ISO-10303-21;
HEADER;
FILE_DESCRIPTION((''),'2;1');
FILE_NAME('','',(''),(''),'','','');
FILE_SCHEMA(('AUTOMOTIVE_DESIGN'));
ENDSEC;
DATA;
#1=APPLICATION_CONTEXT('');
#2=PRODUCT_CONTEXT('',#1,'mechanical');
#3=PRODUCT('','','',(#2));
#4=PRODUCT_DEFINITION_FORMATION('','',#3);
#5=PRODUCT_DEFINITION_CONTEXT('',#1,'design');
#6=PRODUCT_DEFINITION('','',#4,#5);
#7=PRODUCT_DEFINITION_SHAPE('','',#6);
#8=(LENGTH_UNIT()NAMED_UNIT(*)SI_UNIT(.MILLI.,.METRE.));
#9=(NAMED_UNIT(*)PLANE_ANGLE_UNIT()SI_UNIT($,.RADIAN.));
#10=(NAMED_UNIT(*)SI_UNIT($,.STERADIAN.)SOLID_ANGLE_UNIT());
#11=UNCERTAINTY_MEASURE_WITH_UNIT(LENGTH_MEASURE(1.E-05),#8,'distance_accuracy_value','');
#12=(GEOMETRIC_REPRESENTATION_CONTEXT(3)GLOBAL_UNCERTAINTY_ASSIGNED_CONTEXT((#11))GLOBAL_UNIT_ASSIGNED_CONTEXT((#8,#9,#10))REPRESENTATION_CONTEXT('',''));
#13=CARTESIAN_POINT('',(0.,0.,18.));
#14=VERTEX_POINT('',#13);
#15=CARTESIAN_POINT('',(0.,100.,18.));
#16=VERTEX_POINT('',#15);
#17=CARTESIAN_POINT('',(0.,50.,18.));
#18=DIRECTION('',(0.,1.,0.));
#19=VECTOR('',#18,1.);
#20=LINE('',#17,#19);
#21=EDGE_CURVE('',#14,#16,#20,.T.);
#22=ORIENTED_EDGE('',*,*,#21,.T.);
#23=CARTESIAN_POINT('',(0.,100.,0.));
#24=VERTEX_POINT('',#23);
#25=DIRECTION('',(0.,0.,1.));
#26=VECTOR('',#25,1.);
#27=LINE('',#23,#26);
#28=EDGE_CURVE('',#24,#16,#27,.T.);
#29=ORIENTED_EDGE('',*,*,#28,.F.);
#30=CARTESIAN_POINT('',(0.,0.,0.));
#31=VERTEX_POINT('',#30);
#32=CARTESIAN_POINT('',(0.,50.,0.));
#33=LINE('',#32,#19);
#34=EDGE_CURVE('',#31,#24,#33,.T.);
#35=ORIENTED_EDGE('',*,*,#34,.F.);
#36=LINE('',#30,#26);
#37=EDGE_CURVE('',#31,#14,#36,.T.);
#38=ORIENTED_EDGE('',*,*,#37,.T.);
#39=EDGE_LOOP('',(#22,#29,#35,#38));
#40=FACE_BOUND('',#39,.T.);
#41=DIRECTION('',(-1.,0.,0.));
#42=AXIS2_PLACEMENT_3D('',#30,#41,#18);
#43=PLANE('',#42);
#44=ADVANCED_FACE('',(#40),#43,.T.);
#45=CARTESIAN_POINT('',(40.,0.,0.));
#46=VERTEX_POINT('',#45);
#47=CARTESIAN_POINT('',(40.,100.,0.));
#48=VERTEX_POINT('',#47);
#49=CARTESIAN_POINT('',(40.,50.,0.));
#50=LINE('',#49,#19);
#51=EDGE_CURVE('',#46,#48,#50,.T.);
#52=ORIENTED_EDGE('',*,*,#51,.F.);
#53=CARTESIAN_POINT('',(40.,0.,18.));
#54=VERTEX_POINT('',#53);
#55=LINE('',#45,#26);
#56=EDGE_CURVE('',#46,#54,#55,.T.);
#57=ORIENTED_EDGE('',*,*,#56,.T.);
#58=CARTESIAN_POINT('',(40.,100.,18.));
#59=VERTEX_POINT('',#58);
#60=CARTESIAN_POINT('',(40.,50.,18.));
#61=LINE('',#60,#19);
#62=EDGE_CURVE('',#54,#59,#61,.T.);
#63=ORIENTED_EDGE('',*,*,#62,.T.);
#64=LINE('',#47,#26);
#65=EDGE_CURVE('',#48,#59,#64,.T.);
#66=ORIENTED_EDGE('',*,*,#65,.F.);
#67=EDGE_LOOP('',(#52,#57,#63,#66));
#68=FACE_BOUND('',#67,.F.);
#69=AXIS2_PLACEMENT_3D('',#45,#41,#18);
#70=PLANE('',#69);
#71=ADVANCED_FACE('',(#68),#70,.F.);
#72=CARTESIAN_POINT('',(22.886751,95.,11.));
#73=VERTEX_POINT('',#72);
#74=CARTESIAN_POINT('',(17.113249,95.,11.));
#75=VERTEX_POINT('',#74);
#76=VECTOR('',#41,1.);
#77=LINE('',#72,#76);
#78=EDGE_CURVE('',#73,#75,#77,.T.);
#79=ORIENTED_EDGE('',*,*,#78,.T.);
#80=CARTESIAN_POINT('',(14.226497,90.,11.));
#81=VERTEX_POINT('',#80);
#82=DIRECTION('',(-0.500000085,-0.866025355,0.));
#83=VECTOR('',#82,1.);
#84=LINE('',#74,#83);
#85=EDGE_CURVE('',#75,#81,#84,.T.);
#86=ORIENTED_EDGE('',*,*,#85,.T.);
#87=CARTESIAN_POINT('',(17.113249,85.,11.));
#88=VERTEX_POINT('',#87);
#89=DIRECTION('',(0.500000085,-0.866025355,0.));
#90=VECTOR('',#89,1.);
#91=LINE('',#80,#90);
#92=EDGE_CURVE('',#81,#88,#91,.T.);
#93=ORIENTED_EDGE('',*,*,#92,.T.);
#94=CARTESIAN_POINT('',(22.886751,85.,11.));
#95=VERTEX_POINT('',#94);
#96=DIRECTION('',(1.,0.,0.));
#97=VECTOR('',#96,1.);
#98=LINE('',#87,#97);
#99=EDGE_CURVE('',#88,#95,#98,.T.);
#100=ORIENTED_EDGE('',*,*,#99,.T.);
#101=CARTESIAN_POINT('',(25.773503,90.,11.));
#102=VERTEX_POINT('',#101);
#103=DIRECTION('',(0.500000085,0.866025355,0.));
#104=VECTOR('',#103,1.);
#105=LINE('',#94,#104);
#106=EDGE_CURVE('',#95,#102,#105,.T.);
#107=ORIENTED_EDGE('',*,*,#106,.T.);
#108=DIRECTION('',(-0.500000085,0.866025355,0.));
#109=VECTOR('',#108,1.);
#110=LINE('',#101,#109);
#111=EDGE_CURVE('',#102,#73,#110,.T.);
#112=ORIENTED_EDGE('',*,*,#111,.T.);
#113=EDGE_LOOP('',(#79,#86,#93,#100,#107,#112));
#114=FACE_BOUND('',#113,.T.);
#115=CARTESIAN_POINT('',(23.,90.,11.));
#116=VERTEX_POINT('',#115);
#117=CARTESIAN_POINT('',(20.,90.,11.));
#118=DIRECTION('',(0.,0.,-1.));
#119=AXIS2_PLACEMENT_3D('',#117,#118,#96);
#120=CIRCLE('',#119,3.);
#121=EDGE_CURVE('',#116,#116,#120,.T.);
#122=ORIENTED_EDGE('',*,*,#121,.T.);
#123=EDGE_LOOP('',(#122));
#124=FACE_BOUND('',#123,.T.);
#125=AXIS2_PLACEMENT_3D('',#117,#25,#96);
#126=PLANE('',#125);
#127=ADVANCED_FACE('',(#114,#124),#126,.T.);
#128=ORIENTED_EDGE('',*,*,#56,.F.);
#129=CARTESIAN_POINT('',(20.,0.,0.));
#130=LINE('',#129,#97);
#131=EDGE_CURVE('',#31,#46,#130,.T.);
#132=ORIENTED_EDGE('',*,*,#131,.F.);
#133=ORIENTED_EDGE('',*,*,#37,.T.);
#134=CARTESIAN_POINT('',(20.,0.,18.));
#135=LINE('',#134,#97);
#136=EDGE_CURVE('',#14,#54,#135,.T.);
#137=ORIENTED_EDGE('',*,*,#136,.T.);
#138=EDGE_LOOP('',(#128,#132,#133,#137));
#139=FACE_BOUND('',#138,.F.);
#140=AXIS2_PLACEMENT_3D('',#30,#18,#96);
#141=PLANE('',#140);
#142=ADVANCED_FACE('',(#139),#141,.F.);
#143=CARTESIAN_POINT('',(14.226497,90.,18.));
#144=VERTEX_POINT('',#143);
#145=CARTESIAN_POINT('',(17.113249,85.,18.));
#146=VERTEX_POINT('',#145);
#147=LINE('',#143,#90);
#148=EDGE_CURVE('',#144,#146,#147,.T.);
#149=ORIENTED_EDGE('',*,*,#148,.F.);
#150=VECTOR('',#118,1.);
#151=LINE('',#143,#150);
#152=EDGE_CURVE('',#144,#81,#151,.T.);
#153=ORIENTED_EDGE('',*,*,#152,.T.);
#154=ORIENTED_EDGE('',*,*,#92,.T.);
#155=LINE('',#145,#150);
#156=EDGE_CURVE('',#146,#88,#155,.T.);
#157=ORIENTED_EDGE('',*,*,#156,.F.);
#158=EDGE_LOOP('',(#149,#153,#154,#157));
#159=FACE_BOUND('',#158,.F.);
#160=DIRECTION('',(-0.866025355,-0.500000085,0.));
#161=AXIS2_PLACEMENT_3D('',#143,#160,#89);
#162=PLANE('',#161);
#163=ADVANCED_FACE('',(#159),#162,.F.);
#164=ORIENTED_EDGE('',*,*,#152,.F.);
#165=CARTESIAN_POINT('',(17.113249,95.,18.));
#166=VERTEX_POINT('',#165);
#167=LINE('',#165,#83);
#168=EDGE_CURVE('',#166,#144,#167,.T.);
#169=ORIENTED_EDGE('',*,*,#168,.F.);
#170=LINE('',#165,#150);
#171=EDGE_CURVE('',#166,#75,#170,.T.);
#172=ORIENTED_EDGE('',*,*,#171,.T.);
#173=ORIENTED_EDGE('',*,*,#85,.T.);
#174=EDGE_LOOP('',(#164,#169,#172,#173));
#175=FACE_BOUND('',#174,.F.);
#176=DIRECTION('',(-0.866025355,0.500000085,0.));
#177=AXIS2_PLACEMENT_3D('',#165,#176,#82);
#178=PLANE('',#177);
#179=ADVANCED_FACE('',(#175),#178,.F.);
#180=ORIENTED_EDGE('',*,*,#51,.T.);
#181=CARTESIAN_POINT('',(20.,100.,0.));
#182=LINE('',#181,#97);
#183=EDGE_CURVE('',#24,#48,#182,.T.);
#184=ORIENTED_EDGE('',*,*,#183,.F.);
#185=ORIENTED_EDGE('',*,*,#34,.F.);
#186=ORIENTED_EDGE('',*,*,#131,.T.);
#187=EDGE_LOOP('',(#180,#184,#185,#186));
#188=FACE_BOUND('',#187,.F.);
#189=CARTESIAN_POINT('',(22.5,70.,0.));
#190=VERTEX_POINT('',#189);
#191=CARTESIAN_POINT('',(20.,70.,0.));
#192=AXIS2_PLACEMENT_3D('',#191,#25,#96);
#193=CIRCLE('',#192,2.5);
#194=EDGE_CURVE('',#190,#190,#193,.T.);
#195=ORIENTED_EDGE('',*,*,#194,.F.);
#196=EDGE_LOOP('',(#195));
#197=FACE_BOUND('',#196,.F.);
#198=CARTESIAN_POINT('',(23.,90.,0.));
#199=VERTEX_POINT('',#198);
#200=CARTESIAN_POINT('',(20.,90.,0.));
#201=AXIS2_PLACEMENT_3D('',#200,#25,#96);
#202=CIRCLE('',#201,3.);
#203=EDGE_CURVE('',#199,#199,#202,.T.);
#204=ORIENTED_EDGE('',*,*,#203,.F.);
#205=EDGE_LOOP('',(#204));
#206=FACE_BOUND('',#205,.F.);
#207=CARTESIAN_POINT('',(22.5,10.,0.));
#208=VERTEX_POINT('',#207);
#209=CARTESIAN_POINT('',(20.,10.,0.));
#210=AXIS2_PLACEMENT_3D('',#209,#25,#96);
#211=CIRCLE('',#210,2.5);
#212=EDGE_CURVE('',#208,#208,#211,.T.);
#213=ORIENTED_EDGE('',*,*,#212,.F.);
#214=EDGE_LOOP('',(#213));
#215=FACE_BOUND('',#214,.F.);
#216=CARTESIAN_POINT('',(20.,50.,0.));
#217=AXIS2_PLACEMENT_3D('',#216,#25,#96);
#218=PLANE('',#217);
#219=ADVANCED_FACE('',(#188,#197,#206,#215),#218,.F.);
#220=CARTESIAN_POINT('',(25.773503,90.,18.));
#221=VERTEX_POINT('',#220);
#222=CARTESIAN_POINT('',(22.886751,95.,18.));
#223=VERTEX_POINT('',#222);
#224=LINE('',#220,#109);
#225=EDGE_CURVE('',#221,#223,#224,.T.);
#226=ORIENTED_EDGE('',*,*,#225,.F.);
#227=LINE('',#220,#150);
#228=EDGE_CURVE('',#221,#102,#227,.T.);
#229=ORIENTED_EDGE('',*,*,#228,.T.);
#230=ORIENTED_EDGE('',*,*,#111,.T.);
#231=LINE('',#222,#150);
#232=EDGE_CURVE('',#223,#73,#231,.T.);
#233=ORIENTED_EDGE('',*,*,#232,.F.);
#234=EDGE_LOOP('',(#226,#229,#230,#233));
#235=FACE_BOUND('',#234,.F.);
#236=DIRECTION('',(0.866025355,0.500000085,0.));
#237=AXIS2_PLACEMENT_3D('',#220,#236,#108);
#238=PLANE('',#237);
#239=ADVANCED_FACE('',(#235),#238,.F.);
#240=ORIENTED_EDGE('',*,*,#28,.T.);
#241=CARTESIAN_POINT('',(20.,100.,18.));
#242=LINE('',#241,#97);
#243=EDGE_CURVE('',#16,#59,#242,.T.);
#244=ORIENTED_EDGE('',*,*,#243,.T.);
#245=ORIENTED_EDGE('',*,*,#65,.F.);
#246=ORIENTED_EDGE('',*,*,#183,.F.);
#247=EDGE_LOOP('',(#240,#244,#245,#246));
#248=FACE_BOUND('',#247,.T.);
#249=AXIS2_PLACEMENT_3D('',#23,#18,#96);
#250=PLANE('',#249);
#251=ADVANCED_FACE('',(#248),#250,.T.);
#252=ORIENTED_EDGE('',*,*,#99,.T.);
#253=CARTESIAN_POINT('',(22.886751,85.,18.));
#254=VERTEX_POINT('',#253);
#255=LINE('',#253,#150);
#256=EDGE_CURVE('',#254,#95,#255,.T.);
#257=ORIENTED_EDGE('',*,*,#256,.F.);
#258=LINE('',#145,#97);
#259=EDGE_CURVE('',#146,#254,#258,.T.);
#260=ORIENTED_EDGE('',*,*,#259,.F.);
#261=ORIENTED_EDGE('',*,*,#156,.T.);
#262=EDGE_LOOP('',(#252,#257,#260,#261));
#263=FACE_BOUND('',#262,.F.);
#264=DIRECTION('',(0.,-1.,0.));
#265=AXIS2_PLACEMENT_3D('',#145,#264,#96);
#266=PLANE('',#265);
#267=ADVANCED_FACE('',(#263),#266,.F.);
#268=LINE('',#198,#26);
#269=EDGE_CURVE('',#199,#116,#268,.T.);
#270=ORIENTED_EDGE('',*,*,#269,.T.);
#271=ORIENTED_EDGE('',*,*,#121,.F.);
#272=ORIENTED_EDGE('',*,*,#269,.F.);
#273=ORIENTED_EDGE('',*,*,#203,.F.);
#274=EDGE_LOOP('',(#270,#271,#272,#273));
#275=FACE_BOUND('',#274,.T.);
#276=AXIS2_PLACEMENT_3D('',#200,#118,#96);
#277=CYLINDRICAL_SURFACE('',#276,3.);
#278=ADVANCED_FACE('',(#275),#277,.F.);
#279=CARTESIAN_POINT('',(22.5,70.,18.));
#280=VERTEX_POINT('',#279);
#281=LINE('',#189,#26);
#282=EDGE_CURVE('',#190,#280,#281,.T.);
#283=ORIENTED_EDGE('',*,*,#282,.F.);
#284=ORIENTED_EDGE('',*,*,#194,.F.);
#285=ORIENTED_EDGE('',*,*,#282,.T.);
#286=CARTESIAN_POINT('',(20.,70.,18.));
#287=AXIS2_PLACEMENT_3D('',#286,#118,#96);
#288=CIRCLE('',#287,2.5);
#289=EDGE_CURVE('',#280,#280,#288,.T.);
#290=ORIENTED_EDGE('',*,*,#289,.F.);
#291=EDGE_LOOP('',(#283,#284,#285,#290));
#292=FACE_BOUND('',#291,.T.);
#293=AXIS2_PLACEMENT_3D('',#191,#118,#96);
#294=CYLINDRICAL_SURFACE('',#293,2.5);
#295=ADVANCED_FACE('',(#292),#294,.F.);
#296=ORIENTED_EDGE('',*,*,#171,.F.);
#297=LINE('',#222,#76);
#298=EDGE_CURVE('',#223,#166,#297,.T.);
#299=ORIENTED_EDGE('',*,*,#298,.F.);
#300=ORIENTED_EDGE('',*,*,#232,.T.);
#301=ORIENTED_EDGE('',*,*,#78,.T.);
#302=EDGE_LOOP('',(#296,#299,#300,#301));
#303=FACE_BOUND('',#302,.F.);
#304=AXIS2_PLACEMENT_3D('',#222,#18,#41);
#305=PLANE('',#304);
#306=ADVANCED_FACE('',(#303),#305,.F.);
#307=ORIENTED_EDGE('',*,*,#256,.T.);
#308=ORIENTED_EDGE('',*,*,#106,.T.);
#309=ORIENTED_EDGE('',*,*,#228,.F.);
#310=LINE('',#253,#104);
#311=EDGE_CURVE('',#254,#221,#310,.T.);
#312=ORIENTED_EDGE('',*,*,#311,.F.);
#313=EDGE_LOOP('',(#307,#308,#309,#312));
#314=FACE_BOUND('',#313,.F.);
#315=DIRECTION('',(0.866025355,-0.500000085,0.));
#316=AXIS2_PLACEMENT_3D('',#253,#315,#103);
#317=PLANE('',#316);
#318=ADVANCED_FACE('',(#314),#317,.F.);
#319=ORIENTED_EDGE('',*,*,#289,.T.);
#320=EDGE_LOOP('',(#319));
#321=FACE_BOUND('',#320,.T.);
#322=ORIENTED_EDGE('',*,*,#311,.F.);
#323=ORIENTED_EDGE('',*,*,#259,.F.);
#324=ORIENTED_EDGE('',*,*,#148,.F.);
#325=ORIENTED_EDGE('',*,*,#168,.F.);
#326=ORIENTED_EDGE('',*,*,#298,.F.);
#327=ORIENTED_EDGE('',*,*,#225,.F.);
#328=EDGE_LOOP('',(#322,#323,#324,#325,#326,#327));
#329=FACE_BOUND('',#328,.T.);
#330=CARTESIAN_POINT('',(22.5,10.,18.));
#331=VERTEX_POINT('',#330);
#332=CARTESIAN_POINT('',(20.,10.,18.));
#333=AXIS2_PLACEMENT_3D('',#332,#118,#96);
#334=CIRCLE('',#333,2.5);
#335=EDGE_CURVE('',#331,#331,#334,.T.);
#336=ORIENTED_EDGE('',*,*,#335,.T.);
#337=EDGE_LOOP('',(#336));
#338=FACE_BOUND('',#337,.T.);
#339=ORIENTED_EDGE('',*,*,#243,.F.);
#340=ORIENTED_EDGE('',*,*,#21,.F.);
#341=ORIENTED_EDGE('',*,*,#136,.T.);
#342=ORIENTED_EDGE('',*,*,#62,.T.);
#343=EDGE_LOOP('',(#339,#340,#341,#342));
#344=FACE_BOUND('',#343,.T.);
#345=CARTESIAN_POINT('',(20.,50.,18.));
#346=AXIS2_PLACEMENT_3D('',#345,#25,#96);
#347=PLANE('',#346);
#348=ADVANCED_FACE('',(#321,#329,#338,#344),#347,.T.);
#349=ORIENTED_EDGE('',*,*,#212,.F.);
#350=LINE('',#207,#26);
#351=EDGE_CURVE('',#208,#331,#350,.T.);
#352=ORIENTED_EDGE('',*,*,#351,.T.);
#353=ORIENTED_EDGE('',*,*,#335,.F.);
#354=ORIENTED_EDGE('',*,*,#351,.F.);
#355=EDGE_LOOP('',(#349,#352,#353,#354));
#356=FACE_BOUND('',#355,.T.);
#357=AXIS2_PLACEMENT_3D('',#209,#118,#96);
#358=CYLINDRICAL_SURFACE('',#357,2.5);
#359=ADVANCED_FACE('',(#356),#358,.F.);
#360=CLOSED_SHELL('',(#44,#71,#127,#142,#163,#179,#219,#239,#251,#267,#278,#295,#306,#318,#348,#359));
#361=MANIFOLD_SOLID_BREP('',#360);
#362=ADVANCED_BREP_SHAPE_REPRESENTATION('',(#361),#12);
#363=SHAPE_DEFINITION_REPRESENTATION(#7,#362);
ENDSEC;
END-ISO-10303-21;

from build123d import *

# Parameters (mm, degrees)
SKETCH062_W          = 40
SKETCH062_H          = 100
PAD005_DEPTH         = 18
SKETCH063_R          = 3
SKETCH063_R_2        = 2.5
POCKET035_DEPTH      = 0.001
POCKET035_DEPTH_BACK = 18.001
POCKET041_DEPTH      = 7


with BuildPart() as part:
    # Sketch062 → Pad005 (new body)
    with BuildSketch(Plane.XY):
        Rectangle(SKETCH062_W, SKETCH062_H)
    extrude(amount=PAD005_DEPTH)

    # Sketch063 → Pocket035 (cut, two sides)
    with BuildSketch(Plane.XY) as pocket035_sk:
        with Locations((0, 40)):
            Circle(SKETCH063_R)
        with Locations((0, 20)):
            Circle(SKETCH063_R_2)
        with Locations((0, -40)):
            Circle(SKETCH063_R_2)
    extrude(amount=-POCKET035_DEPTH, mode=Mode.SUBTRACT)
    extrude(pocket035_sk.sketch, amount=POCKET035_DEPTH_BACK, mode=Mode.SUBTRACT)

    # Sketch092 → Pocket041 (cut)
    with BuildSketch(Plane(origin=(0, 40, 18), x_dir=(1, 0, 0), z_dir=(0, 0, 1))):
        Polygon((5.773503, 0), (2.886751, 5), (-2.886751, 5), (-5.773503, 0), (-2.886751, -5), (2.886751, -5), align=None)
    extrude(amount=-POCKET041_DEPTH, mode=Mode.SUBTRACT)


with BuildPart() as part_1:
    # Clone027 placement: moved
    add(part.part.moved(Location((20, 50, 0))))


solid = part_1.part
